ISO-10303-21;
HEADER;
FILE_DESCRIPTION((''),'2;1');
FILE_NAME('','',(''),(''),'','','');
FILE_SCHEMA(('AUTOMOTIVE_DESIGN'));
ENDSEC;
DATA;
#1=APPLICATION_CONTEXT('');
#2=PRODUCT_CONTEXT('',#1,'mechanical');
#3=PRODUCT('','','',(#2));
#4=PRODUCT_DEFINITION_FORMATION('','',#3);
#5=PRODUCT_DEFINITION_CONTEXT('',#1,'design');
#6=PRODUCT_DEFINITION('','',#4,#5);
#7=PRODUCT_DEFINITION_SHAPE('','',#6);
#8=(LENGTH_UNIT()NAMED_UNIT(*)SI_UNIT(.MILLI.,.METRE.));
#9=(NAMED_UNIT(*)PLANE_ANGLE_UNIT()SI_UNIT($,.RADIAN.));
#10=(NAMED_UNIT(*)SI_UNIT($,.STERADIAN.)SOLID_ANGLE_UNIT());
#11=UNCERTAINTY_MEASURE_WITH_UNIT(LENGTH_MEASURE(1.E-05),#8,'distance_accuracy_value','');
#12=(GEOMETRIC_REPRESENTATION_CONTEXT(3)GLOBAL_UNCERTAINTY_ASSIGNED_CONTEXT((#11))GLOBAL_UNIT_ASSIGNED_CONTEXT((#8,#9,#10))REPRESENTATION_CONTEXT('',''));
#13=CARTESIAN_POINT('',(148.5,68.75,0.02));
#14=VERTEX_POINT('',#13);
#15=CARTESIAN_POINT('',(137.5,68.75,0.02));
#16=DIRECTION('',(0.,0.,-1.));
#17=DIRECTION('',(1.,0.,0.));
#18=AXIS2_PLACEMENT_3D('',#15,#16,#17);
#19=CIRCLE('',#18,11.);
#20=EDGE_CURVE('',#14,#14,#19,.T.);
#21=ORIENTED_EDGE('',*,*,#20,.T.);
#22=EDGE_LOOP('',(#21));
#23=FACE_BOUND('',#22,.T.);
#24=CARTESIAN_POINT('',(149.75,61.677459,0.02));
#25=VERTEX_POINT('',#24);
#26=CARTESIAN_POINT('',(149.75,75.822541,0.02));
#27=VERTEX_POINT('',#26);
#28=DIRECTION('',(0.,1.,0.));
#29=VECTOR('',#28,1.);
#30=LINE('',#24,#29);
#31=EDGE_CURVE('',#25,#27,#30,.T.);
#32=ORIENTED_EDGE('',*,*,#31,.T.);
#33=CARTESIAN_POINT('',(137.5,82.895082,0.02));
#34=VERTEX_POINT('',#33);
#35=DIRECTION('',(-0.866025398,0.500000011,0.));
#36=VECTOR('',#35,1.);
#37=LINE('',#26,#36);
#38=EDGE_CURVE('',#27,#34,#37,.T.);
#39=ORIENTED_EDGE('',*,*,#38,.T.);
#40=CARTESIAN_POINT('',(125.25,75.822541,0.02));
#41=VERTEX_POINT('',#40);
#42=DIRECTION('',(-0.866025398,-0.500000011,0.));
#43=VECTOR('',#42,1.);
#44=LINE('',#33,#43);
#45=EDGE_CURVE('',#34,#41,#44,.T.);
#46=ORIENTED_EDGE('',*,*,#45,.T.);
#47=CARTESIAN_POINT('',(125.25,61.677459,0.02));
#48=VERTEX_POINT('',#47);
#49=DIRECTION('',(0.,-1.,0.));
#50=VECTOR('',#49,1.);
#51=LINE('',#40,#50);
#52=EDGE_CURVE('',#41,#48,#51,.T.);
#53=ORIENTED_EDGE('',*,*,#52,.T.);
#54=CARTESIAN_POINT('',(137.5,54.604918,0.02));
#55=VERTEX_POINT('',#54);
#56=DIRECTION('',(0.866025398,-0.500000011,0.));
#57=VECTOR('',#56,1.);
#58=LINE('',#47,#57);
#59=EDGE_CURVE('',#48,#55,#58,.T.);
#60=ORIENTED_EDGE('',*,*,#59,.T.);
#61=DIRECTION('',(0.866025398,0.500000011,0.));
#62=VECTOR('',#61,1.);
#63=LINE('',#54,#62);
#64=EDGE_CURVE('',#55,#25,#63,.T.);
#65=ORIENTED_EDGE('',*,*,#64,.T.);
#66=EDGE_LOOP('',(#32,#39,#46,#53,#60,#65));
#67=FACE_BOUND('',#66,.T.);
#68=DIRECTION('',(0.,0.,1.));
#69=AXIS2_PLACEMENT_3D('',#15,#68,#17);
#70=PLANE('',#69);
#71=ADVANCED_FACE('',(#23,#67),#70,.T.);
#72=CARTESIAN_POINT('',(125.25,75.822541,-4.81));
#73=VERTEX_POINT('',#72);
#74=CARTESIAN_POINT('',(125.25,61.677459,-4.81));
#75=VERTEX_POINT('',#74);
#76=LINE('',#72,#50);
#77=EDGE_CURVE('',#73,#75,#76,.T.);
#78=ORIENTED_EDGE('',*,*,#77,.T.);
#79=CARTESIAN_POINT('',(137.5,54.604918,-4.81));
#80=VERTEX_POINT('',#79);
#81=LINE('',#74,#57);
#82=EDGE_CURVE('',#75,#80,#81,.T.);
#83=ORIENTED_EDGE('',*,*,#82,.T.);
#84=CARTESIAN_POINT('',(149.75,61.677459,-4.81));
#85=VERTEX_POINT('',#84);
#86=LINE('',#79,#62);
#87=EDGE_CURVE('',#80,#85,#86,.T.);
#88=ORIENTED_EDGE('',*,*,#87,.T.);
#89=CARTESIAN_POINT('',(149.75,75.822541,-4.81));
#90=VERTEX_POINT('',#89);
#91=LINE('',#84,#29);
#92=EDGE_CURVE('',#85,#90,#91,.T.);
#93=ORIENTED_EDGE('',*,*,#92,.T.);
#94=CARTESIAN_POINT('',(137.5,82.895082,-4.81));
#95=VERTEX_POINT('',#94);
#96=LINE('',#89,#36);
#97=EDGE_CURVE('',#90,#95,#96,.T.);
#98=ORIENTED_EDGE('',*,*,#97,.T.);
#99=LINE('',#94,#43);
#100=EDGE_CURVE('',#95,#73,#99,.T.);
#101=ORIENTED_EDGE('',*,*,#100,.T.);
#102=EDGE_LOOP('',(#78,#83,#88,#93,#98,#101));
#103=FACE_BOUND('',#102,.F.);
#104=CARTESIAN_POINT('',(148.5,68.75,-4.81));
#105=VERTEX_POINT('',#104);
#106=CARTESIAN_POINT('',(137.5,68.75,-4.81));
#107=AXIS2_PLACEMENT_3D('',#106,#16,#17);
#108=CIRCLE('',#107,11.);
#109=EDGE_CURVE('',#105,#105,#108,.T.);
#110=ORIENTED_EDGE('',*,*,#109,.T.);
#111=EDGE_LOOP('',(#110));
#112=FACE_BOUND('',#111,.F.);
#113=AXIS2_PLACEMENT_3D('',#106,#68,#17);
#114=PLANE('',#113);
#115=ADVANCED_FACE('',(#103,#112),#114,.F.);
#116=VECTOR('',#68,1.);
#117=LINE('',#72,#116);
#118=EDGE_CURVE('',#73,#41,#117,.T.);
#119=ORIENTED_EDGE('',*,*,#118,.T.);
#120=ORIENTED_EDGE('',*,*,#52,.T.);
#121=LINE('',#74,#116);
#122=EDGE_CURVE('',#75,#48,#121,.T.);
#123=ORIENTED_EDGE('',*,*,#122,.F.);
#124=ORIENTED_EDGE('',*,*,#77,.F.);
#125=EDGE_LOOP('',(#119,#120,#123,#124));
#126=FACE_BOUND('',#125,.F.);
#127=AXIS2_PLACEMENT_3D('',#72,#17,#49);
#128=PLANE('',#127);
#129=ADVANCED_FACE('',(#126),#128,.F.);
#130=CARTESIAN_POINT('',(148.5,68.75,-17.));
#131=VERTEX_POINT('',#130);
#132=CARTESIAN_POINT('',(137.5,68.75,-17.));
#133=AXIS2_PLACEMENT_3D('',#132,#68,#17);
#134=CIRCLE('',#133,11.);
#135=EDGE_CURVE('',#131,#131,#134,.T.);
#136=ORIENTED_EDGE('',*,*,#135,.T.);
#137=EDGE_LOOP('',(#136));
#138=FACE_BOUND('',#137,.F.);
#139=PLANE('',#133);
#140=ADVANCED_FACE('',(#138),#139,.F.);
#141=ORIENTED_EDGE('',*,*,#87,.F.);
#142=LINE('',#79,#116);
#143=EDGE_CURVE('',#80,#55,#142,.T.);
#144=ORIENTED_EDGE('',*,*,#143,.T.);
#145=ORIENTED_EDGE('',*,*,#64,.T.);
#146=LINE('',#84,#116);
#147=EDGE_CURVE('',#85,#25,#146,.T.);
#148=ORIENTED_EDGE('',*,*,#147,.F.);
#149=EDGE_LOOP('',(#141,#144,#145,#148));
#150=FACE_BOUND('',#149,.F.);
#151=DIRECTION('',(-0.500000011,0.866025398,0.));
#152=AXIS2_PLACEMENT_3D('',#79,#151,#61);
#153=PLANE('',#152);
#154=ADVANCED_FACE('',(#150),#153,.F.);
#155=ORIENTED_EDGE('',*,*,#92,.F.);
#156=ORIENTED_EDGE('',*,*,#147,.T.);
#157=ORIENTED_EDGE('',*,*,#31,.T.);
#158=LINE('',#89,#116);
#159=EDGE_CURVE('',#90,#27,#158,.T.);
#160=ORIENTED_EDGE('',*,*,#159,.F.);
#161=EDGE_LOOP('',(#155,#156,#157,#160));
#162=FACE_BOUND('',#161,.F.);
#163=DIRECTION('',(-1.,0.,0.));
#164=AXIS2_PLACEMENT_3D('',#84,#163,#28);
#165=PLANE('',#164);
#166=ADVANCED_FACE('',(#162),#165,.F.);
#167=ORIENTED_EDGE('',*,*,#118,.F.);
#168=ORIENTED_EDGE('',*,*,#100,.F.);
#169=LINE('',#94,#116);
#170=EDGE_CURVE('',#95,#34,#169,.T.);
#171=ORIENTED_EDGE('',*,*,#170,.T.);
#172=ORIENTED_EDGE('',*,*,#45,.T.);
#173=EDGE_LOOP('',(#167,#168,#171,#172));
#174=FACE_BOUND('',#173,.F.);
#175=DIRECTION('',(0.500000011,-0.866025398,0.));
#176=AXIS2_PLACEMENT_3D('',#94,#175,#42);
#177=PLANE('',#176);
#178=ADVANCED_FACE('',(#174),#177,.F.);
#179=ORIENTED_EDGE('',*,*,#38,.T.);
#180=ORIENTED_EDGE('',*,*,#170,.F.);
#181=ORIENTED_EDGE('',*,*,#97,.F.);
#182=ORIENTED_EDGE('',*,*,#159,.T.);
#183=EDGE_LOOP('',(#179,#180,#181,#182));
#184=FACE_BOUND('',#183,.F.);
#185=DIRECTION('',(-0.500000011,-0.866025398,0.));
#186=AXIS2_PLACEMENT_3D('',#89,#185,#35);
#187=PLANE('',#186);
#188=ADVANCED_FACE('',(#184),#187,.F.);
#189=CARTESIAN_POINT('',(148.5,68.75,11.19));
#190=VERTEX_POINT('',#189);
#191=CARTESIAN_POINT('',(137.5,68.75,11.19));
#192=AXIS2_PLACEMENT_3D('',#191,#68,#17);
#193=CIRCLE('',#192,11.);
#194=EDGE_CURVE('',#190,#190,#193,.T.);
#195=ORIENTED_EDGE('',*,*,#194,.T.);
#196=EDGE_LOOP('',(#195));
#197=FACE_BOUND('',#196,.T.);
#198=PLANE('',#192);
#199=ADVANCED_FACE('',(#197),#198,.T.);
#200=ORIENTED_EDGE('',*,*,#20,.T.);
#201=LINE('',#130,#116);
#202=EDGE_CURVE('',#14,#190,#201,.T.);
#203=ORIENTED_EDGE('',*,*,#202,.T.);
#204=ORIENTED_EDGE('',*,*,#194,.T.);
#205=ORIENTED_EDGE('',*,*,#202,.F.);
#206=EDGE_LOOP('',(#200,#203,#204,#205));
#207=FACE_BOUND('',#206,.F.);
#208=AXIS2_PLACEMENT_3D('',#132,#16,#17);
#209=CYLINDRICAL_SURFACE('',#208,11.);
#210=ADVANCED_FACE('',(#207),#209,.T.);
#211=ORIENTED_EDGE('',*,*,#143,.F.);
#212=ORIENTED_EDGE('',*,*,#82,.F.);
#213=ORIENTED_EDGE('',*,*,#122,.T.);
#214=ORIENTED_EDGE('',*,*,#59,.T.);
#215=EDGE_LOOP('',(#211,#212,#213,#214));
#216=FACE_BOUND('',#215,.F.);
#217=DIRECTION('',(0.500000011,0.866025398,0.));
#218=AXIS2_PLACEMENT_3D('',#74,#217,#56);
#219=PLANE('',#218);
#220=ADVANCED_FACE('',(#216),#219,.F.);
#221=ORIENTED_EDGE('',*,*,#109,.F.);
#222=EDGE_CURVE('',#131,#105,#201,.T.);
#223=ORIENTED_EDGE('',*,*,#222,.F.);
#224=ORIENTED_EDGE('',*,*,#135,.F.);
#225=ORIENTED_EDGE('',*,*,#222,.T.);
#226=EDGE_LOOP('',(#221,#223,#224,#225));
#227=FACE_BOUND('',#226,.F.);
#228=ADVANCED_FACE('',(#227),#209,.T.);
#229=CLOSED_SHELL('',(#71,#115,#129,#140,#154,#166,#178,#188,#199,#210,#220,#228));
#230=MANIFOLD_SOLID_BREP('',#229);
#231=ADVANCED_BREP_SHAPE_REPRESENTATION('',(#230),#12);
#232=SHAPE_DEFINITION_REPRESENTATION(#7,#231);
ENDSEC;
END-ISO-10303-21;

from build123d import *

# Parameters (mm, degrees)
EXTRUDE003_DEPTH  = 4.83
CYLINDER038_R     = 11
CYLINDER038_DEPTH = 28.19


with BuildPart() as extrude003:
    # Sketch017 → Extrude003 (new body)
    with BuildSketch(Plane.XY):
        Polygon((12.25, -7.072541), (12.25, 7.072541), (0, 14.145082), (-12.25, 7.072541), (-12.25, -7.072541), (0, -14.145082), align=None)
    extrude(amount=EXTRUDE003_DEPTH)


with BuildPart() as extrude003_1:
    # Extrude003 placement: moved
    add(extrude003.part.moved(Location((0, 0, 12.19))))


with BuildPart() as powerplug001:
    # Cylinder038 → Cylinder038 (new body)
    with BuildSketch(Plane.XY):
        Circle(CYLINDER038_R)
    extrude(amount=CYLINDER038_DEPTH)

    # Fusion014: union Extrude003
    add(extrude003_1.part)


with BuildPart() as powerplug001_1:
    # Fusion014 placement: moved
    add(powerplug001.part.moved(Location((137.5, 68.75, -17))))


solid = powerplug001_1.part
